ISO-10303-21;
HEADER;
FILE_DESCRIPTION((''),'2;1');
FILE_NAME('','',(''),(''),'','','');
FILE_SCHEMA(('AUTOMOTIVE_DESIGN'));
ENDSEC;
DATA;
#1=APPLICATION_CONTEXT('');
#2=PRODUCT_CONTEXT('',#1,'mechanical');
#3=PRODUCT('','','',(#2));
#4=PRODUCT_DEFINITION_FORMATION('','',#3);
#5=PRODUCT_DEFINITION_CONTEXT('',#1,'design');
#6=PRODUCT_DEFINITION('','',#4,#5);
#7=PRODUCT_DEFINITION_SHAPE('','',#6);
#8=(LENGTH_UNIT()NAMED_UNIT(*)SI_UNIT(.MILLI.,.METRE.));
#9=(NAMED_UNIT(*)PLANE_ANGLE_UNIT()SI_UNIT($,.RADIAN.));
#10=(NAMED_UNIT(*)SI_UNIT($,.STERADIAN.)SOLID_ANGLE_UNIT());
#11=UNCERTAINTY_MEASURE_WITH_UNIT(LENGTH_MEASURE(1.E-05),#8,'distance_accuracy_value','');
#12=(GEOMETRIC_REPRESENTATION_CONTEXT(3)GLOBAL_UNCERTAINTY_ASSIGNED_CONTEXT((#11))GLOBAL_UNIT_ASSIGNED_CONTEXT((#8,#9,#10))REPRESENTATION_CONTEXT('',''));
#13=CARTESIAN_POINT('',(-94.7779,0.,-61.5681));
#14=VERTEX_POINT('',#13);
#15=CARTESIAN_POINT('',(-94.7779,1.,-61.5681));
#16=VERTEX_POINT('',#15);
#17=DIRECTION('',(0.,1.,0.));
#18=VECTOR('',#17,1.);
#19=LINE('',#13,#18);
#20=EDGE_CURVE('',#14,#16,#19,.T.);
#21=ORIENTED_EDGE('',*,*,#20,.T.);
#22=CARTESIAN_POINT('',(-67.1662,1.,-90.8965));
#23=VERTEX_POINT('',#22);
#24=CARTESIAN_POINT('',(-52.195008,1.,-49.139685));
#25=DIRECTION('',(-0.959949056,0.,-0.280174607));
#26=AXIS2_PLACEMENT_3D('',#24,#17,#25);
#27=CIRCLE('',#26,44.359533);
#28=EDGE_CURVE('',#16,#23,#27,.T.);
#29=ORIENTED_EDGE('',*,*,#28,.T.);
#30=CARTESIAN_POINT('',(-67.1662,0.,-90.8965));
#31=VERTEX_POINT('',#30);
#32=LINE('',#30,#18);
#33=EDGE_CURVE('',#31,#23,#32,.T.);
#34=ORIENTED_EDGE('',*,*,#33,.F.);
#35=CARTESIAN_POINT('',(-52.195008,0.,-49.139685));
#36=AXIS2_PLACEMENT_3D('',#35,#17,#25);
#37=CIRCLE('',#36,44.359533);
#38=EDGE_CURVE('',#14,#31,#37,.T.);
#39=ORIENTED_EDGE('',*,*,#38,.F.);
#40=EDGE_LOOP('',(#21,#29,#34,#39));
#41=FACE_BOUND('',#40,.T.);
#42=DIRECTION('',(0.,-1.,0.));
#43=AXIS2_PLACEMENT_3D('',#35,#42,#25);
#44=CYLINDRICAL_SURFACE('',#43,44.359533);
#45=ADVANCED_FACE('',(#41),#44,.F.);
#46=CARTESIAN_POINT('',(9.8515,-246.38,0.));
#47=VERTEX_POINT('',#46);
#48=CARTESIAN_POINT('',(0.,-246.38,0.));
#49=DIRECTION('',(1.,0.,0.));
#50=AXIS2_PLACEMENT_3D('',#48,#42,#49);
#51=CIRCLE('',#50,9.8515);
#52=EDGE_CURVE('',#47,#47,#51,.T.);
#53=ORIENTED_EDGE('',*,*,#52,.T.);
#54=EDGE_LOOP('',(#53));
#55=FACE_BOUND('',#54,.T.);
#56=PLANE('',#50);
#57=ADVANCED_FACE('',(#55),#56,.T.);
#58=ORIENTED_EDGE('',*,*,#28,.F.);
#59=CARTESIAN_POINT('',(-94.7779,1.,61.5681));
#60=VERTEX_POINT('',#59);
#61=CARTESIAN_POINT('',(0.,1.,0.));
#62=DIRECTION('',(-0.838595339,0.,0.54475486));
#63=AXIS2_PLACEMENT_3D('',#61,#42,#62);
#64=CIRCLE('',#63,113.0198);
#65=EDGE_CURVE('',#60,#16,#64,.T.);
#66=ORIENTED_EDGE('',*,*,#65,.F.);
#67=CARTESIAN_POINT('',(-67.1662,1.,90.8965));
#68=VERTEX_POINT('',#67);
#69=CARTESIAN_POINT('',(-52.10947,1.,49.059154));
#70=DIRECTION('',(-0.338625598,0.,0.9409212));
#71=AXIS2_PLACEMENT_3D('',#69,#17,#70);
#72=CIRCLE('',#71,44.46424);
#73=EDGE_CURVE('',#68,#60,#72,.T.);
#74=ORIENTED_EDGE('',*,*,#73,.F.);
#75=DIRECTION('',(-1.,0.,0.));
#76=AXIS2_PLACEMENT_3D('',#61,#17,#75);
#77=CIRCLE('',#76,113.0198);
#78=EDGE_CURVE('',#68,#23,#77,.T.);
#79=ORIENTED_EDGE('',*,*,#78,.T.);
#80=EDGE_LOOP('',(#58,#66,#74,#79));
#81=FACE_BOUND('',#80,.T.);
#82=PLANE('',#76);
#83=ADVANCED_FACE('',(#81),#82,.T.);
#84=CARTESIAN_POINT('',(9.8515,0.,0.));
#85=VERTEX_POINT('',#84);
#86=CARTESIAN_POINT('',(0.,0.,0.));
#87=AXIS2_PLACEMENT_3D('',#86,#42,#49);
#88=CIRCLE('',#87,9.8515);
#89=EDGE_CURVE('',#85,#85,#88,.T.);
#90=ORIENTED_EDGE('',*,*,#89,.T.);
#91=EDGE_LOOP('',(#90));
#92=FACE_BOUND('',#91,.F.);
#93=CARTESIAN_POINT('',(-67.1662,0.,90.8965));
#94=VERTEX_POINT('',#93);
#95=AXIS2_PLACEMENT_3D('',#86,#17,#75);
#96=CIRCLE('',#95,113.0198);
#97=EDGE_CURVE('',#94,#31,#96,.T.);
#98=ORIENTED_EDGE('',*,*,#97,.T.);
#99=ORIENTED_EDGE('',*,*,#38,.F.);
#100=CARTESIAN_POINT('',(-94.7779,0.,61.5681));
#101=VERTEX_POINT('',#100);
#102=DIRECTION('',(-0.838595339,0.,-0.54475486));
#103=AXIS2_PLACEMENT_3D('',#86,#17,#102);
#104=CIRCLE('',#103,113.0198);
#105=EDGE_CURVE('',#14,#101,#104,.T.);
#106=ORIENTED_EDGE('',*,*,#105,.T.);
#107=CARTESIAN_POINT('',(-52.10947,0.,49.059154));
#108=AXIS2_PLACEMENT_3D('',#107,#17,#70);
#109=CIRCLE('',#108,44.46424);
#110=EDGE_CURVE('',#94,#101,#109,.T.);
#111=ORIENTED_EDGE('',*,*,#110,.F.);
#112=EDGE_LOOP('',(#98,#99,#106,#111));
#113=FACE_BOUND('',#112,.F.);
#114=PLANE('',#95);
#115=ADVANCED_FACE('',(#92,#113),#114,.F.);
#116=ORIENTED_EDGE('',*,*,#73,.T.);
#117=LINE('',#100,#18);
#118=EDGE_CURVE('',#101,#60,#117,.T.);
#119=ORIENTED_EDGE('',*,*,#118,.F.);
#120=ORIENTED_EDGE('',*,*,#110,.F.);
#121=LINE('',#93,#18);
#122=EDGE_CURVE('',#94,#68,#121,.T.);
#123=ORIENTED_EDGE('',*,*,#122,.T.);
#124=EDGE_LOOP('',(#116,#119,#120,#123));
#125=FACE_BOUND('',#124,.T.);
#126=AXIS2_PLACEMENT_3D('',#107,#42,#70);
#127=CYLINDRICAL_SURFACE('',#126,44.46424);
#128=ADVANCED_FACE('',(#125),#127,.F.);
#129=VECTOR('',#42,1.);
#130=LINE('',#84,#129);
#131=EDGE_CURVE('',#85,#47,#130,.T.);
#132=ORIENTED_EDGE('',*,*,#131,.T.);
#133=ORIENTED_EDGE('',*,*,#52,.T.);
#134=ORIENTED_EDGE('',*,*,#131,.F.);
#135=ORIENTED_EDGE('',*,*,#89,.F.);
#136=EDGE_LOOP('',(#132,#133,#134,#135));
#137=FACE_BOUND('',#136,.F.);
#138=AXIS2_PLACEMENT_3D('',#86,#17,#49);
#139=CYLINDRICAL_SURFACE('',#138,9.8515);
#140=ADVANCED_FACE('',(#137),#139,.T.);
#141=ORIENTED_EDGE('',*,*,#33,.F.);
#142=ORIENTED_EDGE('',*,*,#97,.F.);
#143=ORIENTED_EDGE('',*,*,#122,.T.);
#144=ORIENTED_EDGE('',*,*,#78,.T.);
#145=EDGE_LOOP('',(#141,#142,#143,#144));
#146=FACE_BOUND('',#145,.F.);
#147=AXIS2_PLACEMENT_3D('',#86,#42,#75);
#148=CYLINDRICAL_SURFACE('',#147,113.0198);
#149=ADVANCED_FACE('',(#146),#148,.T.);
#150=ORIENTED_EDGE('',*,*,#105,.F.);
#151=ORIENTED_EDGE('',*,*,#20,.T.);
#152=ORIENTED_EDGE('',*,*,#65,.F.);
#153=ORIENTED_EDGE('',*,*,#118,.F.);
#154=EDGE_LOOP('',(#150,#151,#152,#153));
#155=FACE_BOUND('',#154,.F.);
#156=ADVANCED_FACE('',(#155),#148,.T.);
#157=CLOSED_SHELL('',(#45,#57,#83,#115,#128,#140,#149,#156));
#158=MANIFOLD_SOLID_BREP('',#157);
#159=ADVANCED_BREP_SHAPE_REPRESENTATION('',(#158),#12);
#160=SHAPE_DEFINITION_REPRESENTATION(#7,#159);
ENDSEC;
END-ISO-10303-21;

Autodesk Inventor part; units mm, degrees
ref_plane "YZ Plane" through (0, 0, 0) normal (1, 0, 0) x (0, 1, 0)
ref_plane "XZ Plane" through (0, 0, 0) normal (0, 1, 0) x (-1, 0, 0)
ref_plane "XY Plane" through (0, 0, 0) normal (0, 0, 1) x (1, 0, 0)
sketch "Sketch1" plane through (0, 0, 0) normal (0, 1, 0) x (-1, 0, 0)
  circle A0 centre (0, 0) radius 113.0198
  arc A1 (67.1662, 90.8965) -> (94.7779, 61.5681) centre (52.1094, 49.0592) ccw
  arc A2 (94.7779, -61.5681) -> (67.1662, -90.8965) centre (52.195, -49.1397) ccw
extrude "Extrusion1" add sketch "Sketch1" along normal blind 1 contours A0 A2 A1
sketch "Sketch3" plane through (0, 0, 0) normal (0, -1, 0) x (1, 0, 0)
  point P0 (0, 0)
sketch "Sketch7" plane through (0, 0, 0) normal (0, -1, 0) x (1, 0, 0)
  circle A0 centre (0, 0) radius 9.8515
extrude "Extrusion3" add sketch "Sketch7" along normal blind 246.38
properties part number "rack holder"
